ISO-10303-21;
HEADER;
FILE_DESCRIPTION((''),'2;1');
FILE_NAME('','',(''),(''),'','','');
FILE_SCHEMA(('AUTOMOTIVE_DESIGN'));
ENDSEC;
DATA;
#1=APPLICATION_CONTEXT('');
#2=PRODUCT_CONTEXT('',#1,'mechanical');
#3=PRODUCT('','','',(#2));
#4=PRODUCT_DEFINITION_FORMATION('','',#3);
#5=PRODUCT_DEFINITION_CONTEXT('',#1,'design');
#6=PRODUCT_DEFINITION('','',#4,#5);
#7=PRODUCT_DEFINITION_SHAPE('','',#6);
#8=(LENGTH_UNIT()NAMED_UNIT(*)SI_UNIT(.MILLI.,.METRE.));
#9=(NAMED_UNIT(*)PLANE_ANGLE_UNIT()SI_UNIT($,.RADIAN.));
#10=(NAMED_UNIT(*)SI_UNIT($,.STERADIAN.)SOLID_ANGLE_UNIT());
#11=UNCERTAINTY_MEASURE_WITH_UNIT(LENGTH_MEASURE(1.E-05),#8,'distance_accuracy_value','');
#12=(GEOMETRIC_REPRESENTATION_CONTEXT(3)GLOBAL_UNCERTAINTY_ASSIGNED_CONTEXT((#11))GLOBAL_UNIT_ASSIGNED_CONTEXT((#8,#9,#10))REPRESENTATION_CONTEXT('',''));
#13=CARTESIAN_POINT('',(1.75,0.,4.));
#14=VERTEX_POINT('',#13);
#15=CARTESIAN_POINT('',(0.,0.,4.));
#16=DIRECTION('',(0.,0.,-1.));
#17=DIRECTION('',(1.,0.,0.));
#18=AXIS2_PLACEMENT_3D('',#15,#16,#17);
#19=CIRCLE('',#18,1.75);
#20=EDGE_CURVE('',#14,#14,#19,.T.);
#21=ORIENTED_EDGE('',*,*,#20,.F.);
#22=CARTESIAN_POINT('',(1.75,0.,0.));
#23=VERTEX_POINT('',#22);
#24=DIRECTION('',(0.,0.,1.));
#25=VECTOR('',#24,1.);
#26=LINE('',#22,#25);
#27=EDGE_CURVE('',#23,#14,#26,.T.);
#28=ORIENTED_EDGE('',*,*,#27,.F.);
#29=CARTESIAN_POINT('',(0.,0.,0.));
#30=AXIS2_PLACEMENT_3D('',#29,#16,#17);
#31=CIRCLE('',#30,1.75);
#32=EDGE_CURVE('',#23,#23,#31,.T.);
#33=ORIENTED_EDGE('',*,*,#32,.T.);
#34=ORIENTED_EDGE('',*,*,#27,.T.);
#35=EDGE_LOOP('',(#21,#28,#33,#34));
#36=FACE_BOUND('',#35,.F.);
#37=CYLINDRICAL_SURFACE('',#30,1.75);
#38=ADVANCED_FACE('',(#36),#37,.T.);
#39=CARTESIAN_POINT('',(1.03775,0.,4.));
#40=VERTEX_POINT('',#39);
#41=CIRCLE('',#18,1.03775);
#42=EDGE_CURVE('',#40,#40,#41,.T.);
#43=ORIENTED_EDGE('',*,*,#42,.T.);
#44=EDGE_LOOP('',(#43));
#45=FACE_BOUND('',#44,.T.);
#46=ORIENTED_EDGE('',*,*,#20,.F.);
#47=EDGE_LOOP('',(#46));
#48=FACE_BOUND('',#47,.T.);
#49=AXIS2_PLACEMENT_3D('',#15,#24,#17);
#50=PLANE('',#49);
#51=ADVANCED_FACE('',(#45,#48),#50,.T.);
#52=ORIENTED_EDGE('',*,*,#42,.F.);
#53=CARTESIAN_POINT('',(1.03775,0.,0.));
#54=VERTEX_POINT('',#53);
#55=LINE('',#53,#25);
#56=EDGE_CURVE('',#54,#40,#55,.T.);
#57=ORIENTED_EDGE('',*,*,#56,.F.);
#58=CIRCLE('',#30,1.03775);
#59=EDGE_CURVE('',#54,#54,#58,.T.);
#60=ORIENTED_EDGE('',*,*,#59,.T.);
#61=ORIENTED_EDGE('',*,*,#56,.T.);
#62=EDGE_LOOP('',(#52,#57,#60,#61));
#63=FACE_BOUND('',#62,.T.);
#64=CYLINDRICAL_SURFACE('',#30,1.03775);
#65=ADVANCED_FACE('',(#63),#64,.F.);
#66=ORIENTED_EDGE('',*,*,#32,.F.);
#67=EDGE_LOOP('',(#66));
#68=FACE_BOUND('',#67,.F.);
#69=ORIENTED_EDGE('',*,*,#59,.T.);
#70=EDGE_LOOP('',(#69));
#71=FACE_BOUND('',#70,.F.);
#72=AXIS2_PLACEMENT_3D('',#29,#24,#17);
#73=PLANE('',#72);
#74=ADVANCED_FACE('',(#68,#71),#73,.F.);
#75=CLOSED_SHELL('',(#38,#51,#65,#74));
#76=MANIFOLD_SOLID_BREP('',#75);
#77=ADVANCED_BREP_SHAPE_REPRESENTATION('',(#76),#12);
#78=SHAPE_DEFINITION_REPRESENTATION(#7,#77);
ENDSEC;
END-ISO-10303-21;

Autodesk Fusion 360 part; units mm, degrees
sketch "Sketch1" plane through (0, 0, 0) normal (0, 0, 1) x (1, 0, 0)
  circle A0 centre (0, 0) radius 1.75
  circle A1 centre (0, 0) radius 1.25
  dimension "d1" = 3.5
  dimension "d2" = 2.5
extrude "Extrude1" add sketch "Sketch1" along normal blind 4
thread "Thread1" "ISO Metric profile 2.5 M2.5x0.45 M2.5x0.45 6H" major diameter 2.58 minor diameter 2.0755 pitch 0.45 angle 60 resizes the face on face at (1.2484, -0.0623, 2.6667)
